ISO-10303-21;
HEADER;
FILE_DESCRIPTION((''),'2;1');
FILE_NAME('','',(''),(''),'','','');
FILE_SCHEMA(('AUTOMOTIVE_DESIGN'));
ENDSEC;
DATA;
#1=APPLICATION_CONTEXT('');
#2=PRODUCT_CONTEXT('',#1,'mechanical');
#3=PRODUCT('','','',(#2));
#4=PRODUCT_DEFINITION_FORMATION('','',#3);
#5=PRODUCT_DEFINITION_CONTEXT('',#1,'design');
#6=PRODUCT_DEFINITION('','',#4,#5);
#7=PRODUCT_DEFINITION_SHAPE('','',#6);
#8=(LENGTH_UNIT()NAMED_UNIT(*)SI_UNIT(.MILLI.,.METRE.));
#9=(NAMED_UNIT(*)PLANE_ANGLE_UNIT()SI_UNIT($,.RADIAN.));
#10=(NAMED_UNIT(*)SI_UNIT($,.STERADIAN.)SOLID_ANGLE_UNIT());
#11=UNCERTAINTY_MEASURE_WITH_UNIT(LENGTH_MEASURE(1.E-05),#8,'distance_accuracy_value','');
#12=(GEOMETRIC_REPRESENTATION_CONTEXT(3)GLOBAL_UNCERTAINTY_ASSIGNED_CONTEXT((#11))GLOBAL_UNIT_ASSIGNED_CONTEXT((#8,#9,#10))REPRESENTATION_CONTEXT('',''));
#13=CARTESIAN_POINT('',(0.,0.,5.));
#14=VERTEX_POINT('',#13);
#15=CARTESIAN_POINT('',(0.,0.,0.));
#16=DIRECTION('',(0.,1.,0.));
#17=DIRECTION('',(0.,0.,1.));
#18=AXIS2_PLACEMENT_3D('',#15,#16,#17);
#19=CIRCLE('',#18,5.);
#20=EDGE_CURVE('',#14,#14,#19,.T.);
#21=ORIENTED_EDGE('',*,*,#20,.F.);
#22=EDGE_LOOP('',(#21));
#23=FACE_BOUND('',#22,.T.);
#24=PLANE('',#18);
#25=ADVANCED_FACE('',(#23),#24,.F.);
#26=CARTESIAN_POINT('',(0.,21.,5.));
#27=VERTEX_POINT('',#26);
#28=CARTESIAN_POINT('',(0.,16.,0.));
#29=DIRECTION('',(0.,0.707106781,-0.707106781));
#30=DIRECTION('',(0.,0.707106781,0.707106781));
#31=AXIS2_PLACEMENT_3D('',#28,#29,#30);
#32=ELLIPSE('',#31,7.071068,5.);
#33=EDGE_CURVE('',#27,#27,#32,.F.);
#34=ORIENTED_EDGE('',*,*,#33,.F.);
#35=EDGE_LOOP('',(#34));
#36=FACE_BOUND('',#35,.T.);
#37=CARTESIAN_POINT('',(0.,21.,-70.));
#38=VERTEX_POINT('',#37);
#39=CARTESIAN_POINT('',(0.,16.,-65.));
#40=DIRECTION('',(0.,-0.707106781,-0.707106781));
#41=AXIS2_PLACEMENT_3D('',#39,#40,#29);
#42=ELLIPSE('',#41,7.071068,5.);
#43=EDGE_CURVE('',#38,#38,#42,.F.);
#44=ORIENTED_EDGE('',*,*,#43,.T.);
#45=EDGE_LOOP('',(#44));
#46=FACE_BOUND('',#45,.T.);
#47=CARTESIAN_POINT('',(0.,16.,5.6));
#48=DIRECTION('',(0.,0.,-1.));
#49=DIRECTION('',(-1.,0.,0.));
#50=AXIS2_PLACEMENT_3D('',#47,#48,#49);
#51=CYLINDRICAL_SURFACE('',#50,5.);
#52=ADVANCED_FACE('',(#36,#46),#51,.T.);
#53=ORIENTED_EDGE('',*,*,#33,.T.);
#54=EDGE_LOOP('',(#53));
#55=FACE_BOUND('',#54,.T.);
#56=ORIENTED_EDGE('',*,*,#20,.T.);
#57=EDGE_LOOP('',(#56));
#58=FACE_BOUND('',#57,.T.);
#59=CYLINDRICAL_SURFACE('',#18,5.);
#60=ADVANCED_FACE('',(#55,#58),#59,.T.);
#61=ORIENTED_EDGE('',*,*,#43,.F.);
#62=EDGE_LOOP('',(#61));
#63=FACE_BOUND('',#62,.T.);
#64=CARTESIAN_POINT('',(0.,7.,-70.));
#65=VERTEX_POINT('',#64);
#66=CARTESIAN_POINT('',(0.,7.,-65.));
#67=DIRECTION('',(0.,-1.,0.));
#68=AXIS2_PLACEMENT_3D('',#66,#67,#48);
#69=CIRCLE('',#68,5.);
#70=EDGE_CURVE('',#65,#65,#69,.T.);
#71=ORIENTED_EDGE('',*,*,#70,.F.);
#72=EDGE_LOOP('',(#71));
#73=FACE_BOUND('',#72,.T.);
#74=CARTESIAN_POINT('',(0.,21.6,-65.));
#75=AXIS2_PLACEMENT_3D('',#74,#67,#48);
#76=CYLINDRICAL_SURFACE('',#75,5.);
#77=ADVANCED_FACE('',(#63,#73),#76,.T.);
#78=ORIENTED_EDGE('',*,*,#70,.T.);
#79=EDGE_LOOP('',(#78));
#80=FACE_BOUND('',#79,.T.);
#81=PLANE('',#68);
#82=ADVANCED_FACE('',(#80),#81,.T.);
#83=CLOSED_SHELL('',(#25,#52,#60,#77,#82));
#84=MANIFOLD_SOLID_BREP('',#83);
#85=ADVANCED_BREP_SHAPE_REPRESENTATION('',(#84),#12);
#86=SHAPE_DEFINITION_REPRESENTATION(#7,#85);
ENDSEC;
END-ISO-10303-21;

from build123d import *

# Parameters (mm, degrees)
SKETCH1_R = 5


with BuildPart() as part:
    # Sweep1: sweep along a path in Sketch2
    with BuildLine(Plane(origin=(0, 0, 0), x_dir=(0, 0, -1), z_dir=(1, 0, 0))) as sweep1_path:
        Line((0, 0), (0, 16))
        Line((0, 16), (65, 16))
        Line((65, 16), (65, 7))
    # Sketch1 → Sweep1 (sweep)
    with BuildSketch(Plane(origin=(0, 0, 0), x_dir=(1, 0, 0), z_dir=(0, 1, 0))):
        Circle(SKETCH1_R)
    sweep(path=sweep1_path.line, transition=Transition.RIGHT)


solid = part.part
